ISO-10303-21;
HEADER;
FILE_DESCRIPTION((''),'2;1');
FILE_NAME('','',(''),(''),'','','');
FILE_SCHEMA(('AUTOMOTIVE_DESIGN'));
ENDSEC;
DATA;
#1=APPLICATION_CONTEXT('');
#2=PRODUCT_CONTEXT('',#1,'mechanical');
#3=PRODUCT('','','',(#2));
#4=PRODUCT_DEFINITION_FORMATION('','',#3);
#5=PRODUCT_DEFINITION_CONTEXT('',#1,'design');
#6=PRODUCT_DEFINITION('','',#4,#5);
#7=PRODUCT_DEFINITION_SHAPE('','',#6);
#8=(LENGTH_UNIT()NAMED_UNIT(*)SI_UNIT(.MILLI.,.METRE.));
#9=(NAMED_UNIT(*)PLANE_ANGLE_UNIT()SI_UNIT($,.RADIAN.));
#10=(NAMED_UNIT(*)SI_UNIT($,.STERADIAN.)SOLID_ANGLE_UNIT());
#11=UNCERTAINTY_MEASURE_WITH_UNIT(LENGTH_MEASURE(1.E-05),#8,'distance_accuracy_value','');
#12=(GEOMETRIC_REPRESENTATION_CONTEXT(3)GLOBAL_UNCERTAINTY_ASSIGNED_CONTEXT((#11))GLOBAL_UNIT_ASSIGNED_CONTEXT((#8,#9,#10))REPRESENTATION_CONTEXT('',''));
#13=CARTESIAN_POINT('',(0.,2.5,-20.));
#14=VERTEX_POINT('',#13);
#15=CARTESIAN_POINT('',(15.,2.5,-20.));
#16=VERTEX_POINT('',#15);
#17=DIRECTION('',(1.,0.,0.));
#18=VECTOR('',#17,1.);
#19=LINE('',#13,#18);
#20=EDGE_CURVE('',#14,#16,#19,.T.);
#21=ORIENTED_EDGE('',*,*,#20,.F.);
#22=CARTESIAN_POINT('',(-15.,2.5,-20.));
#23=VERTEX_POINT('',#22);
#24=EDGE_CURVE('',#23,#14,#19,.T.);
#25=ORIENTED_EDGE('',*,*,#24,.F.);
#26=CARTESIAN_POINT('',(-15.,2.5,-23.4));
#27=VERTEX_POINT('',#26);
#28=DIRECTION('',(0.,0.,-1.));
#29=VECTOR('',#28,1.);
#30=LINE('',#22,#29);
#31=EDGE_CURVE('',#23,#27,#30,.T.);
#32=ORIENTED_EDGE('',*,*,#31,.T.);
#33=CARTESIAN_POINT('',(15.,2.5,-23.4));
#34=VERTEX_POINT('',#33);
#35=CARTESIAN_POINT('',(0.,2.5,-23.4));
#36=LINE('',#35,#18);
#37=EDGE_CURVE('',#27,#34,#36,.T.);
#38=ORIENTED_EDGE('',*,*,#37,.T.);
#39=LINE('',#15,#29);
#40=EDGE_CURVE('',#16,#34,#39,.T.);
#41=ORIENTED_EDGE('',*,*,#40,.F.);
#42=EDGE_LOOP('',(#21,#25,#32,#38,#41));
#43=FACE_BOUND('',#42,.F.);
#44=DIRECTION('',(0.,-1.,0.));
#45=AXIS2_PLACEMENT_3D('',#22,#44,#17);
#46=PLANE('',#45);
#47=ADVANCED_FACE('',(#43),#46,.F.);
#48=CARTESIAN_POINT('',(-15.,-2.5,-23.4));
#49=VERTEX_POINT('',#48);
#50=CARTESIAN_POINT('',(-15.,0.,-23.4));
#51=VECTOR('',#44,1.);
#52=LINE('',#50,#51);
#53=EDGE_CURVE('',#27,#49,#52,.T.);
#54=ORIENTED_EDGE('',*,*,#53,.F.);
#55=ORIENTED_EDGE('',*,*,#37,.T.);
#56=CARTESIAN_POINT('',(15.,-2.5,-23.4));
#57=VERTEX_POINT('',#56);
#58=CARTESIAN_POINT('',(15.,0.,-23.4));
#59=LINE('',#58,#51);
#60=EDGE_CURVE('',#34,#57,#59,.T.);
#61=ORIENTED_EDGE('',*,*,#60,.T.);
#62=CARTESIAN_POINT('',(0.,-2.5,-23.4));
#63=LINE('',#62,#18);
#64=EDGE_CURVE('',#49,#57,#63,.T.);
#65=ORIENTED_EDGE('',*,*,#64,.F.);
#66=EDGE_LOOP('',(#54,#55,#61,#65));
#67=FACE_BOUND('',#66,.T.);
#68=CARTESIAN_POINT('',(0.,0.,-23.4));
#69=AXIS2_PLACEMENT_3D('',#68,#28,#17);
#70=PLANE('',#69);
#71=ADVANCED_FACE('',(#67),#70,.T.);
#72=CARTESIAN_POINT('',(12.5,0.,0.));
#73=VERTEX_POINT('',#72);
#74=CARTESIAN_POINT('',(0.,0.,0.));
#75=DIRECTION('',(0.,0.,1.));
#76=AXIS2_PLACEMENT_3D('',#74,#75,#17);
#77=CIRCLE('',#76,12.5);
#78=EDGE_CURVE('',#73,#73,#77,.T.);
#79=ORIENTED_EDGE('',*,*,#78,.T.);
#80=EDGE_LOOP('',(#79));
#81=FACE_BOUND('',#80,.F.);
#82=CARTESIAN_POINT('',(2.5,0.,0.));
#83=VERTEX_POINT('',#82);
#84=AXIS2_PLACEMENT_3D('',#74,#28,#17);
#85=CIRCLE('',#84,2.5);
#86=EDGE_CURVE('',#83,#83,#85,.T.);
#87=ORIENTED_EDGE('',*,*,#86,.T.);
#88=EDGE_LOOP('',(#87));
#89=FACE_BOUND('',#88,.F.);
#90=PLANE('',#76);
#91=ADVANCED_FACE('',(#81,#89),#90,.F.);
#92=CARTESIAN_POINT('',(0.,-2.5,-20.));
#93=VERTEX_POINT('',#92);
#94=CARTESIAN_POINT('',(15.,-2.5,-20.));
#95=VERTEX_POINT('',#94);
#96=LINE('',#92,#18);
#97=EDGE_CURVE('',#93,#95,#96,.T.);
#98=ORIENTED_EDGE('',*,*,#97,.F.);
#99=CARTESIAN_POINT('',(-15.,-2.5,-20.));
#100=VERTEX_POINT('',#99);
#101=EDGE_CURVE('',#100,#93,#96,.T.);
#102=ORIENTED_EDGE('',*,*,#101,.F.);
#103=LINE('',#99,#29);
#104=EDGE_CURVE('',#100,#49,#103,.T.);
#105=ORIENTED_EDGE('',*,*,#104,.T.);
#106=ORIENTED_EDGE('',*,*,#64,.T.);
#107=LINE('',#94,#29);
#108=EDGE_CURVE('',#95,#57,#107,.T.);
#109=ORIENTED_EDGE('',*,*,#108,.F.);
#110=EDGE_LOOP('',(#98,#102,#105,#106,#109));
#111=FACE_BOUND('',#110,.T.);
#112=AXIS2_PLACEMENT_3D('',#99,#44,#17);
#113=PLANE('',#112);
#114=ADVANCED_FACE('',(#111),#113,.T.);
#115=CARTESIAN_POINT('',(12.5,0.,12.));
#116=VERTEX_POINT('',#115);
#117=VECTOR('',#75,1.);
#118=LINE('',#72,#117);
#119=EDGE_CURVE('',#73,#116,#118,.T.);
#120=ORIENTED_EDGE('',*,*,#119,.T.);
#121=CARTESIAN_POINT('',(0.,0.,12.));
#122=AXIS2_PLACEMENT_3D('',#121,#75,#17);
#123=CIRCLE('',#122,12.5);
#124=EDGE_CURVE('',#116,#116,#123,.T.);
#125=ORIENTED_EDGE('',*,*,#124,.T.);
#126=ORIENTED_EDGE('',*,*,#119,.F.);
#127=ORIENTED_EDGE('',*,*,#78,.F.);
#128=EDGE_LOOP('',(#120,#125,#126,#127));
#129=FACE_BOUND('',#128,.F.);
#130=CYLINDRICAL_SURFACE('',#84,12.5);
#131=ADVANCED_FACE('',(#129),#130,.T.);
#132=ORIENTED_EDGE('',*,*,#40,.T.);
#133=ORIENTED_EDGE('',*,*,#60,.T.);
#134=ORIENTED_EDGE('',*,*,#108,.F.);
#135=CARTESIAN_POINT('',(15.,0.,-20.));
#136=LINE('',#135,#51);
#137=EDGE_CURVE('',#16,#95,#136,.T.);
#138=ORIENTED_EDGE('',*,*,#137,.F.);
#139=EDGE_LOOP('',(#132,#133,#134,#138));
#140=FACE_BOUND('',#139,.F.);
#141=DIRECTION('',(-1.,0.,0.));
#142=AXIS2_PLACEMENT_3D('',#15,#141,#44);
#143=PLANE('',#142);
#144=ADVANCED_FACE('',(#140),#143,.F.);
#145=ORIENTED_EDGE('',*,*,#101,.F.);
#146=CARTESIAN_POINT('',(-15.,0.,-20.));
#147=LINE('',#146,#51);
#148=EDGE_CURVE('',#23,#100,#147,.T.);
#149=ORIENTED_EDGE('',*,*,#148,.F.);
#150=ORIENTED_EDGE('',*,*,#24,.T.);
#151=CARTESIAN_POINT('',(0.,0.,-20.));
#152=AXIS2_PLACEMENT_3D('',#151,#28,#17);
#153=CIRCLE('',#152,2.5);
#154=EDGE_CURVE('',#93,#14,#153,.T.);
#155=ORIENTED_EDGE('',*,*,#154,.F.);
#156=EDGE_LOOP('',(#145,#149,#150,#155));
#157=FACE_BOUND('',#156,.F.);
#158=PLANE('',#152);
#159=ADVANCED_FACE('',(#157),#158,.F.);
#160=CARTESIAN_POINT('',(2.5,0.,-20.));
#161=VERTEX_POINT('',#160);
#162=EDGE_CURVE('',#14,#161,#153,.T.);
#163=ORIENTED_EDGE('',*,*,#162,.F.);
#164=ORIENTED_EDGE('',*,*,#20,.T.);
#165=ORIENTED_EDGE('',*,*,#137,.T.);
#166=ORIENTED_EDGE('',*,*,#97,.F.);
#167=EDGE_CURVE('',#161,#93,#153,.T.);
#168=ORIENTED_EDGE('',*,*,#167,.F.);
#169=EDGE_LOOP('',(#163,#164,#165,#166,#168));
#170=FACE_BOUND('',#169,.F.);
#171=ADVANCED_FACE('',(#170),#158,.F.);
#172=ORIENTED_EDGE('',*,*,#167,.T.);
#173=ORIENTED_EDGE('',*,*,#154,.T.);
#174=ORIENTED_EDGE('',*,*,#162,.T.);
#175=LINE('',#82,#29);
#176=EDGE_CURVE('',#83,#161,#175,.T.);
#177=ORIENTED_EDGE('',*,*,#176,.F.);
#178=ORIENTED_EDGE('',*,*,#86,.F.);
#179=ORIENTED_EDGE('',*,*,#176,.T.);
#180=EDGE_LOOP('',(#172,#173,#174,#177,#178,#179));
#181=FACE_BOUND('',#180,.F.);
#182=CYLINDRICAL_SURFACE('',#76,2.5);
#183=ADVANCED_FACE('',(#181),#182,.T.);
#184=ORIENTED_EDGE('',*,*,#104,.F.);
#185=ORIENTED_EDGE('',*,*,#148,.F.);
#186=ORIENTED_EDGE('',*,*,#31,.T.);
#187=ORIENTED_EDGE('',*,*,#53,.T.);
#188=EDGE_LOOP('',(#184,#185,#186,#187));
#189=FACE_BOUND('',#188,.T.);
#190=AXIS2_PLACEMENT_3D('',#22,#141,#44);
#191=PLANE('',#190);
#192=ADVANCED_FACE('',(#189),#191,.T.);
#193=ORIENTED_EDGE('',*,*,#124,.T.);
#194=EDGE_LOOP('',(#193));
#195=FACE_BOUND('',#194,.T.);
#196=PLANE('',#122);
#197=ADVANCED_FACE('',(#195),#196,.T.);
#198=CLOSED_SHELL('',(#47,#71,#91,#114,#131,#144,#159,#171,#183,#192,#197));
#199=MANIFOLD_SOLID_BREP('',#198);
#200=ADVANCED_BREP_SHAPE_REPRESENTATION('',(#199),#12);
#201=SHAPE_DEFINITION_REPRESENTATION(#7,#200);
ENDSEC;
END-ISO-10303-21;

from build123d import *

# Parameters (mm, degrees)
F0_R     = 12.5
F1_DEPTH = 12
F2_R     = 2.5
F3_DEPTH = 20
F4_W     = 30
F4_H     = 5
F5_DEPTH = 3.4


with BuildPart() as f1:
    # F0 (on Top) → F1 (new body)
    with BuildSketch(Plane.XY):
        Circle(F0_R)
    extrude(amount=F1_DEPTH)

    # F2 (on face) → F3 (join)
    with BuildSketch(Plane(origin=(0, 0, 0), x_dir=(1, 0, 0), z_dir=(0, 0, -1))):
        Circle(F2_R)
    extrude(amount=F3_DEPTH)

    # F4 (on face) → F5 (join)
    with BuildSketch(Plane(origin=(0, 0, -20), x_dir=(1, 0, 0), z_dir=(0, 0, -1))):
        Rectangle(F4_W, F4_H)
    extrude(amount=F5_DEPTH)


solid = f1.part
